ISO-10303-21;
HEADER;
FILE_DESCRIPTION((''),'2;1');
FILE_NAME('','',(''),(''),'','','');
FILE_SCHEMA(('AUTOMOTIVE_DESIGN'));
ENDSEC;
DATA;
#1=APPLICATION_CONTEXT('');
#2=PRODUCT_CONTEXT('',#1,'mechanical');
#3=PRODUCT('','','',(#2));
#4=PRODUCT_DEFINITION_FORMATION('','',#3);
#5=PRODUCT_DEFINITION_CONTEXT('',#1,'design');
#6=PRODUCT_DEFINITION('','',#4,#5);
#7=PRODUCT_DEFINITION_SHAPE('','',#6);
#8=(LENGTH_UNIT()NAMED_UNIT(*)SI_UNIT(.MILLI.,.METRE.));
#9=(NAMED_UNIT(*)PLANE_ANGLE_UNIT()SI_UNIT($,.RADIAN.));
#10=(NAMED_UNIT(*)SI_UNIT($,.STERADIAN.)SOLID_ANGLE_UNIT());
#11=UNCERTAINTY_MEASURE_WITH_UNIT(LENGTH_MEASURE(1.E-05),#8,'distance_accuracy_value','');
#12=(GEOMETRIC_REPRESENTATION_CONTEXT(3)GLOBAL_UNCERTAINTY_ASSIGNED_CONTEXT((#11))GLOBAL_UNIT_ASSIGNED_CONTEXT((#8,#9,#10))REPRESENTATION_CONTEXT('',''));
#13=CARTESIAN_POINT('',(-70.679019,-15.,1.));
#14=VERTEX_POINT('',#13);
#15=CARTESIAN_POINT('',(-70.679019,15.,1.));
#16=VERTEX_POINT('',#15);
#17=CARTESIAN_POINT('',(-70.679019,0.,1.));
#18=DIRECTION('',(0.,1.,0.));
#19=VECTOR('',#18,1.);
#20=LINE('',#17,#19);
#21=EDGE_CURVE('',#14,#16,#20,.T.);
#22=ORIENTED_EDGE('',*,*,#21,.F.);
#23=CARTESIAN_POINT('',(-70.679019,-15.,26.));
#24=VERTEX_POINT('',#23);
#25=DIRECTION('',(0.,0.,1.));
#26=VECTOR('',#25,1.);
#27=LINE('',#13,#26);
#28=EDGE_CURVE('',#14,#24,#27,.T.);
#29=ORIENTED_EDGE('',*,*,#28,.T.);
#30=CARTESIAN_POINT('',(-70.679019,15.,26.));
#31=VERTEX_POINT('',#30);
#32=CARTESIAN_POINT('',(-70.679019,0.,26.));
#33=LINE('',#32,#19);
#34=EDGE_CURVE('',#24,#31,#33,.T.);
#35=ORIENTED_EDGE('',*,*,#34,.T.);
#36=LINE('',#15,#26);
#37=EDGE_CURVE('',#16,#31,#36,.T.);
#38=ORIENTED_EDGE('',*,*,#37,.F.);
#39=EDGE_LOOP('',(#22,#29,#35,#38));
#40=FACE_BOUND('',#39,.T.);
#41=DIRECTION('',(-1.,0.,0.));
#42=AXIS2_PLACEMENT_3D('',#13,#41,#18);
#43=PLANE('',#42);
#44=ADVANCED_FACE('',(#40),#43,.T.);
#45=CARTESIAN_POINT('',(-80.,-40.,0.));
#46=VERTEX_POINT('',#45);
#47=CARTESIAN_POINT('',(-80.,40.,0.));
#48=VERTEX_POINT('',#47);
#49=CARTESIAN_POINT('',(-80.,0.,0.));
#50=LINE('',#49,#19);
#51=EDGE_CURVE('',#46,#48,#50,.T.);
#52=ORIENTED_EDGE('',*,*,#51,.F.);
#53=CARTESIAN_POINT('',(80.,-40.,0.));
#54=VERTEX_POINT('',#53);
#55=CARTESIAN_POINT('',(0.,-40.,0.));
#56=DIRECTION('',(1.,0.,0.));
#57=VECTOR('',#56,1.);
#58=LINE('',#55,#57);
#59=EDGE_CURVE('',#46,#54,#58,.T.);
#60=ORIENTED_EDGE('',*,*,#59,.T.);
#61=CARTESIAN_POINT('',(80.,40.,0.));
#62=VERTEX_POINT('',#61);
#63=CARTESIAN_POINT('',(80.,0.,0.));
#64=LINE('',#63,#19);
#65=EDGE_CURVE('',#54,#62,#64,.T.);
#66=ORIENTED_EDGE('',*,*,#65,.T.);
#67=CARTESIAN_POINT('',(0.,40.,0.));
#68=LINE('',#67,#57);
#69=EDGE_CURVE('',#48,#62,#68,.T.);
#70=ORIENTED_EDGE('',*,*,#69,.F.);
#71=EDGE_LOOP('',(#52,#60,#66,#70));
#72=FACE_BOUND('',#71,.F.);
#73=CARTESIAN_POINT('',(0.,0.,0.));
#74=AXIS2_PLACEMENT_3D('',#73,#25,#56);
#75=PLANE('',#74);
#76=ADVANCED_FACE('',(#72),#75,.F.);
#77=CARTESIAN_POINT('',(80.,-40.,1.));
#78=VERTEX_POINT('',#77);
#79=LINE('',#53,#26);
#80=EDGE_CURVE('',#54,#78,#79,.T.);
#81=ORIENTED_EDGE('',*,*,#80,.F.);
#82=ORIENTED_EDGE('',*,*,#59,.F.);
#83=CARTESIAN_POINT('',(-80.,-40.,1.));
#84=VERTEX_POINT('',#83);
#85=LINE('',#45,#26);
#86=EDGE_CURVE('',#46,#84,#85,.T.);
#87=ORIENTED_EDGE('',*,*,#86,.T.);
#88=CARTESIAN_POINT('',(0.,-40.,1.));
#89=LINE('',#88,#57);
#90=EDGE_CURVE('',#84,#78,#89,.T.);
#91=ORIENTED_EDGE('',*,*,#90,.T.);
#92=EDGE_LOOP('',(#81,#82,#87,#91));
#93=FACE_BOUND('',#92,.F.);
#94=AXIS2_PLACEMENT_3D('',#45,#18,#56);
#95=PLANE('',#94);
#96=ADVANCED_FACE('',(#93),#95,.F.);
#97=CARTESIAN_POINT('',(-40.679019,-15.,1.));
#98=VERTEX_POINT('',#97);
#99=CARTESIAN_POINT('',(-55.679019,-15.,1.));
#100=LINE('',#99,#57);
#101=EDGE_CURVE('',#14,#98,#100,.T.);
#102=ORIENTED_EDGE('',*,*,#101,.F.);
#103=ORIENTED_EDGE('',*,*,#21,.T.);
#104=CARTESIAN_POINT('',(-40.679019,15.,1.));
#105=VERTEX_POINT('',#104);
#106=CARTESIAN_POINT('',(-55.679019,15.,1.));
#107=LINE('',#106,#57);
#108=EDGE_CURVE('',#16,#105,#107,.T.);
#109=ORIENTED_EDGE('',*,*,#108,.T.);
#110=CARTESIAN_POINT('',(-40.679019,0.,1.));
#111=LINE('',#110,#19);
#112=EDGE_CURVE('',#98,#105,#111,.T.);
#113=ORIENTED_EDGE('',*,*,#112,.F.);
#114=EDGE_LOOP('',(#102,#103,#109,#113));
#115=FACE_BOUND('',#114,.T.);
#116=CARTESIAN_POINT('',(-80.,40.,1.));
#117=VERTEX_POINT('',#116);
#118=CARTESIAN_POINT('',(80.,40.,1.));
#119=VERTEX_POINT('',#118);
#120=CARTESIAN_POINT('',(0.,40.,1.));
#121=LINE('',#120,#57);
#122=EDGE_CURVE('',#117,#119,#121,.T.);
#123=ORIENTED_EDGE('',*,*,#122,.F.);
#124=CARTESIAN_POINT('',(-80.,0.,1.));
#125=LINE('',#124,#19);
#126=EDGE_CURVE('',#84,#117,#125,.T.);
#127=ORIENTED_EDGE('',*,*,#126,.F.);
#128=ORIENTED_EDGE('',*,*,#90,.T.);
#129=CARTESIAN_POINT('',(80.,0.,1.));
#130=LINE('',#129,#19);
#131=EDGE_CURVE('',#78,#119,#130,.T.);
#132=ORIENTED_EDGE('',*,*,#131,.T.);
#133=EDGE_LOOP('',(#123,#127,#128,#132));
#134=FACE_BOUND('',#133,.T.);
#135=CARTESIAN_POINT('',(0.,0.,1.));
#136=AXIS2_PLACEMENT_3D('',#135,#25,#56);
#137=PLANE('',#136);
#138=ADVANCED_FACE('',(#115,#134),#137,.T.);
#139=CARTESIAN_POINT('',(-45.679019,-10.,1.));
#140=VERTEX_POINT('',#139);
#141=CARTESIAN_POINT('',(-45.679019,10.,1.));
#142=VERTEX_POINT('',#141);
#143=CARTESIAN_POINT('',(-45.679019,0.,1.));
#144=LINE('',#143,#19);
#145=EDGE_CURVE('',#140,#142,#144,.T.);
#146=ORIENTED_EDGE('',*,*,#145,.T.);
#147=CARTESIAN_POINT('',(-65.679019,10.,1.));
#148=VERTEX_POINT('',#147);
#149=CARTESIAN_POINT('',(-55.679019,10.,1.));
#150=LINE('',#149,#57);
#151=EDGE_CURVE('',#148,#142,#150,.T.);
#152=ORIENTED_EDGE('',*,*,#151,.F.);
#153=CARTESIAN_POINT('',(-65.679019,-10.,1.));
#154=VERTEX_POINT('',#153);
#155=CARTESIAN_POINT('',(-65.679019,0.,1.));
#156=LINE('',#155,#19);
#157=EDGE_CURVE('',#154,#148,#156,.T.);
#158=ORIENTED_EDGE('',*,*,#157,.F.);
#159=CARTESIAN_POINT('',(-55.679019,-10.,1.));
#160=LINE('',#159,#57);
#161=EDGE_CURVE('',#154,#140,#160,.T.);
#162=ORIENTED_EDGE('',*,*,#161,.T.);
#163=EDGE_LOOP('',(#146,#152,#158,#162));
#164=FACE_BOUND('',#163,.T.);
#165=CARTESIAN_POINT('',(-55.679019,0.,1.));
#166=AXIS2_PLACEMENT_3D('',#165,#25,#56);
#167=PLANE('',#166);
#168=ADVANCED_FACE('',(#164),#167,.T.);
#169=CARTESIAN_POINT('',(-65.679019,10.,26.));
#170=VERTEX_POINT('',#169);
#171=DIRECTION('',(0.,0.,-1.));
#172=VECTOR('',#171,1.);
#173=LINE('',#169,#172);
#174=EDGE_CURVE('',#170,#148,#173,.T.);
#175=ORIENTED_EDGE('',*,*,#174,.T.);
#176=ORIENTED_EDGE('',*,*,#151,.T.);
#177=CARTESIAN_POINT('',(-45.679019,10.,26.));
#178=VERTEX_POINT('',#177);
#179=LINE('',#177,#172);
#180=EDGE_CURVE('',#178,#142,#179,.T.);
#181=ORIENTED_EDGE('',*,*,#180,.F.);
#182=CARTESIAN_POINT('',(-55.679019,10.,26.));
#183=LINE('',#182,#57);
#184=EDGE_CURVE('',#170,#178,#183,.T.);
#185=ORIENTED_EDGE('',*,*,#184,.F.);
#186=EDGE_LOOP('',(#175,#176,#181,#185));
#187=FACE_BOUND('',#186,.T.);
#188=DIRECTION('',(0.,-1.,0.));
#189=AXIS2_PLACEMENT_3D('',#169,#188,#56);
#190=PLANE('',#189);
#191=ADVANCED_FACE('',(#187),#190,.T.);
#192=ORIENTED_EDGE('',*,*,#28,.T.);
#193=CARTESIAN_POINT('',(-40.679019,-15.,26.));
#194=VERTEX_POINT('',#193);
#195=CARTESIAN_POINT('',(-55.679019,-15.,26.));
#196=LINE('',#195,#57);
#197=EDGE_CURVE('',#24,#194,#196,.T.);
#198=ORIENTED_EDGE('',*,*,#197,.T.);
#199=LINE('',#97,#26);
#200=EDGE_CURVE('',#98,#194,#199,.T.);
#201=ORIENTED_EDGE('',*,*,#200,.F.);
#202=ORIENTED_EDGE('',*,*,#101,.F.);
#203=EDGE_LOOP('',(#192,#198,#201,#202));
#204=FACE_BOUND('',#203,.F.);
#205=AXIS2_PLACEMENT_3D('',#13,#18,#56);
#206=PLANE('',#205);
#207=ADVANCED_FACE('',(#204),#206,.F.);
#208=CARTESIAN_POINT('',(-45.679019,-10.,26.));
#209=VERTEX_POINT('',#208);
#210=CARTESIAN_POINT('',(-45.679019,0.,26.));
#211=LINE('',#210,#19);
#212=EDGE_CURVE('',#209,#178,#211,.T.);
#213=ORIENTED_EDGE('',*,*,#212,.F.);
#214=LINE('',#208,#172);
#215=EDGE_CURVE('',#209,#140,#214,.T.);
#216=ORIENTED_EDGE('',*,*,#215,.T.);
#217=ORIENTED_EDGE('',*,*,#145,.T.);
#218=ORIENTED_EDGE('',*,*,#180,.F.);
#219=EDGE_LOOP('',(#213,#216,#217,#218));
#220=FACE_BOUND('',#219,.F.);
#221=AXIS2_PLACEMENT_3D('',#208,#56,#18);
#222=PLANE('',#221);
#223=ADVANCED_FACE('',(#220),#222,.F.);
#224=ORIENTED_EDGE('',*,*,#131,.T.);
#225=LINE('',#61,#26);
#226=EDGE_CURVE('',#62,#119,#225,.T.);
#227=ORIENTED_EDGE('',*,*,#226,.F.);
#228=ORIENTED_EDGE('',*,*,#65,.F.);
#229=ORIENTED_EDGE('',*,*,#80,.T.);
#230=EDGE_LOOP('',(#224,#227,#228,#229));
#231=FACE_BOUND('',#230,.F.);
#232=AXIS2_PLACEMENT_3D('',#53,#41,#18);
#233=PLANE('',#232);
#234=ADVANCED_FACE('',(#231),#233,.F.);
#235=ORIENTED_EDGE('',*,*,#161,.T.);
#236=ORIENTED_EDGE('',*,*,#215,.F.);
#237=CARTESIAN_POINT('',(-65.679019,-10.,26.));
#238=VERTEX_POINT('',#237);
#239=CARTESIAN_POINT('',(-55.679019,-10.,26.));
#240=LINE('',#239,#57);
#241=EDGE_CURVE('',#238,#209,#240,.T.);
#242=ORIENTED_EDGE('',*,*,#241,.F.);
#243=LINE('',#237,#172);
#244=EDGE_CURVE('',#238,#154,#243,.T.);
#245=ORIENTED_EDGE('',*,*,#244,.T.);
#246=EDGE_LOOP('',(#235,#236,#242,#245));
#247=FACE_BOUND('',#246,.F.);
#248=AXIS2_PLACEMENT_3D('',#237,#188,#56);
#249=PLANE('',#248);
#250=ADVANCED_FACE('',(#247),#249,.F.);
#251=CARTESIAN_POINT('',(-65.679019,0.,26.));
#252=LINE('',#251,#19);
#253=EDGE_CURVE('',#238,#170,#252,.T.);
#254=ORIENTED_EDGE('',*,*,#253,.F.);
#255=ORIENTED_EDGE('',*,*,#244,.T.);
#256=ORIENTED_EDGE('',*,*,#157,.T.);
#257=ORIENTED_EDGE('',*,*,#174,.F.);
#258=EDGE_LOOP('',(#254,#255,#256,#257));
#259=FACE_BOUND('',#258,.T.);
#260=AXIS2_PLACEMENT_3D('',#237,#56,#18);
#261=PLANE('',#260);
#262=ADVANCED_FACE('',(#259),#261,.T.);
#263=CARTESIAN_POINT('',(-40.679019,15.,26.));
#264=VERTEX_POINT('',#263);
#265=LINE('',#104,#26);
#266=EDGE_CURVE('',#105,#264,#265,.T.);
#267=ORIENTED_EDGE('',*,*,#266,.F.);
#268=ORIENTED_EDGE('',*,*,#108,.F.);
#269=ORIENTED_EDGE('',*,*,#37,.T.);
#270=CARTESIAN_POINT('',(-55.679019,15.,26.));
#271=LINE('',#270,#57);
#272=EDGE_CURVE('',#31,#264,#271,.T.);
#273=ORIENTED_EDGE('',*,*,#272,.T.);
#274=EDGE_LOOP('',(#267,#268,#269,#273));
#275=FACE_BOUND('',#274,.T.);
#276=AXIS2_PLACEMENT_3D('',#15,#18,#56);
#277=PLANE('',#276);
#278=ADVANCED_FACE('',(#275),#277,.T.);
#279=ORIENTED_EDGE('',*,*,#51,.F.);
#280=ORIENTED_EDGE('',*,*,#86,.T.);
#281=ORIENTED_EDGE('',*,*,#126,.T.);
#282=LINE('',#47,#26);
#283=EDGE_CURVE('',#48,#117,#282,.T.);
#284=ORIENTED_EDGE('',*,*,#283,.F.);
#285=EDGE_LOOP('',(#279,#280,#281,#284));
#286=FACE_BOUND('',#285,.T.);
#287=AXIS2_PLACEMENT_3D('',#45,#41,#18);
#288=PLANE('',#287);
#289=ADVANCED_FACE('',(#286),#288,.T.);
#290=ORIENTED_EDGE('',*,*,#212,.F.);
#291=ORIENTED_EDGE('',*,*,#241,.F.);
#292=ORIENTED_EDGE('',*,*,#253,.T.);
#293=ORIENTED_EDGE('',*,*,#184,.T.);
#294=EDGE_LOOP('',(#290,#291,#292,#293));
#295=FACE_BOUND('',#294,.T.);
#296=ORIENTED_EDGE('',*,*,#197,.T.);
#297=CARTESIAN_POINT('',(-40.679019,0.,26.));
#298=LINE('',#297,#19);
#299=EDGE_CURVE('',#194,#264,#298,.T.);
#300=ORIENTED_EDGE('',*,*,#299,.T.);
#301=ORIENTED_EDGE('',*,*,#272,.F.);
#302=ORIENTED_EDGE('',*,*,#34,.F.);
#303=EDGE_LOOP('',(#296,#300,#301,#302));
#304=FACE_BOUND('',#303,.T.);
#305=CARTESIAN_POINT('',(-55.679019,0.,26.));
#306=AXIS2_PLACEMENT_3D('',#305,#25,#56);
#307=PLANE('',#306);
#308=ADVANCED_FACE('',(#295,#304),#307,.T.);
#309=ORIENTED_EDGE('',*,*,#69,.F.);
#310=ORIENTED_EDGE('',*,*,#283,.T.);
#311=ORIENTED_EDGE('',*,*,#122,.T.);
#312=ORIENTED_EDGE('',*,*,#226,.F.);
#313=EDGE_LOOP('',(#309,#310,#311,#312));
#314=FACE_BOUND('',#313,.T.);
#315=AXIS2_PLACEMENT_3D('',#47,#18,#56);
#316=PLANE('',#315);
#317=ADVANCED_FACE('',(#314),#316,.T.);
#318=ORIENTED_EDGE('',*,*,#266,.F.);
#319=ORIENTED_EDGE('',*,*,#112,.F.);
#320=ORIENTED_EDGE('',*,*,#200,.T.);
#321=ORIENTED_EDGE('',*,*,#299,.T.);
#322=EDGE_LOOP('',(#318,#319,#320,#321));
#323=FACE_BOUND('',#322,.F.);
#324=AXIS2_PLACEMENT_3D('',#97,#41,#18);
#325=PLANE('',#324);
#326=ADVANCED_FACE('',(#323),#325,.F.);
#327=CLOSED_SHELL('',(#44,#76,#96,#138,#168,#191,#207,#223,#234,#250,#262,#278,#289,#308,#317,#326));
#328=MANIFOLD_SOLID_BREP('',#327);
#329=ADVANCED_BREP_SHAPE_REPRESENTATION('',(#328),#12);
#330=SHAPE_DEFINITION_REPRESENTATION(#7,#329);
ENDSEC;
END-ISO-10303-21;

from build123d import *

# Parameters (mm, degrees)
F0_W     = 160
F0_H     = 80
F1_DEPTH = 1
F2_W     = 30
F2_H     = 30
F3_DEPTH = 25
F4_W     = 20
F4_H     = 20
F5_DEPTH = 25


with BuildPart() as f1:
    # F0 (on Top) → F1 (new body)
    with BuildSketch(Plane.XY):
        Rectangle(F0_W, F0_H)
    extrude(amount=F1_DEPTH)

    # F2 (on face) → F3 (join)
    with BuildSketch(Plane.XY.offset(1)):
        with Locations((-55.679019, 0)):
            Rectangle(F2_W, F2_H)
    extrude(amount=F3_DEPTH)

    # F4 (on face) → F5 (cut)
    with BuildSketch(Plane.XY.offset(26)):
        with Locations((-55.679019, 0)):
            Rectangle(F4_W, F4_H)
    extrude(amount=-F5_DEPTH, mode=Mode.SUBTRACT)


solid = f1.part
